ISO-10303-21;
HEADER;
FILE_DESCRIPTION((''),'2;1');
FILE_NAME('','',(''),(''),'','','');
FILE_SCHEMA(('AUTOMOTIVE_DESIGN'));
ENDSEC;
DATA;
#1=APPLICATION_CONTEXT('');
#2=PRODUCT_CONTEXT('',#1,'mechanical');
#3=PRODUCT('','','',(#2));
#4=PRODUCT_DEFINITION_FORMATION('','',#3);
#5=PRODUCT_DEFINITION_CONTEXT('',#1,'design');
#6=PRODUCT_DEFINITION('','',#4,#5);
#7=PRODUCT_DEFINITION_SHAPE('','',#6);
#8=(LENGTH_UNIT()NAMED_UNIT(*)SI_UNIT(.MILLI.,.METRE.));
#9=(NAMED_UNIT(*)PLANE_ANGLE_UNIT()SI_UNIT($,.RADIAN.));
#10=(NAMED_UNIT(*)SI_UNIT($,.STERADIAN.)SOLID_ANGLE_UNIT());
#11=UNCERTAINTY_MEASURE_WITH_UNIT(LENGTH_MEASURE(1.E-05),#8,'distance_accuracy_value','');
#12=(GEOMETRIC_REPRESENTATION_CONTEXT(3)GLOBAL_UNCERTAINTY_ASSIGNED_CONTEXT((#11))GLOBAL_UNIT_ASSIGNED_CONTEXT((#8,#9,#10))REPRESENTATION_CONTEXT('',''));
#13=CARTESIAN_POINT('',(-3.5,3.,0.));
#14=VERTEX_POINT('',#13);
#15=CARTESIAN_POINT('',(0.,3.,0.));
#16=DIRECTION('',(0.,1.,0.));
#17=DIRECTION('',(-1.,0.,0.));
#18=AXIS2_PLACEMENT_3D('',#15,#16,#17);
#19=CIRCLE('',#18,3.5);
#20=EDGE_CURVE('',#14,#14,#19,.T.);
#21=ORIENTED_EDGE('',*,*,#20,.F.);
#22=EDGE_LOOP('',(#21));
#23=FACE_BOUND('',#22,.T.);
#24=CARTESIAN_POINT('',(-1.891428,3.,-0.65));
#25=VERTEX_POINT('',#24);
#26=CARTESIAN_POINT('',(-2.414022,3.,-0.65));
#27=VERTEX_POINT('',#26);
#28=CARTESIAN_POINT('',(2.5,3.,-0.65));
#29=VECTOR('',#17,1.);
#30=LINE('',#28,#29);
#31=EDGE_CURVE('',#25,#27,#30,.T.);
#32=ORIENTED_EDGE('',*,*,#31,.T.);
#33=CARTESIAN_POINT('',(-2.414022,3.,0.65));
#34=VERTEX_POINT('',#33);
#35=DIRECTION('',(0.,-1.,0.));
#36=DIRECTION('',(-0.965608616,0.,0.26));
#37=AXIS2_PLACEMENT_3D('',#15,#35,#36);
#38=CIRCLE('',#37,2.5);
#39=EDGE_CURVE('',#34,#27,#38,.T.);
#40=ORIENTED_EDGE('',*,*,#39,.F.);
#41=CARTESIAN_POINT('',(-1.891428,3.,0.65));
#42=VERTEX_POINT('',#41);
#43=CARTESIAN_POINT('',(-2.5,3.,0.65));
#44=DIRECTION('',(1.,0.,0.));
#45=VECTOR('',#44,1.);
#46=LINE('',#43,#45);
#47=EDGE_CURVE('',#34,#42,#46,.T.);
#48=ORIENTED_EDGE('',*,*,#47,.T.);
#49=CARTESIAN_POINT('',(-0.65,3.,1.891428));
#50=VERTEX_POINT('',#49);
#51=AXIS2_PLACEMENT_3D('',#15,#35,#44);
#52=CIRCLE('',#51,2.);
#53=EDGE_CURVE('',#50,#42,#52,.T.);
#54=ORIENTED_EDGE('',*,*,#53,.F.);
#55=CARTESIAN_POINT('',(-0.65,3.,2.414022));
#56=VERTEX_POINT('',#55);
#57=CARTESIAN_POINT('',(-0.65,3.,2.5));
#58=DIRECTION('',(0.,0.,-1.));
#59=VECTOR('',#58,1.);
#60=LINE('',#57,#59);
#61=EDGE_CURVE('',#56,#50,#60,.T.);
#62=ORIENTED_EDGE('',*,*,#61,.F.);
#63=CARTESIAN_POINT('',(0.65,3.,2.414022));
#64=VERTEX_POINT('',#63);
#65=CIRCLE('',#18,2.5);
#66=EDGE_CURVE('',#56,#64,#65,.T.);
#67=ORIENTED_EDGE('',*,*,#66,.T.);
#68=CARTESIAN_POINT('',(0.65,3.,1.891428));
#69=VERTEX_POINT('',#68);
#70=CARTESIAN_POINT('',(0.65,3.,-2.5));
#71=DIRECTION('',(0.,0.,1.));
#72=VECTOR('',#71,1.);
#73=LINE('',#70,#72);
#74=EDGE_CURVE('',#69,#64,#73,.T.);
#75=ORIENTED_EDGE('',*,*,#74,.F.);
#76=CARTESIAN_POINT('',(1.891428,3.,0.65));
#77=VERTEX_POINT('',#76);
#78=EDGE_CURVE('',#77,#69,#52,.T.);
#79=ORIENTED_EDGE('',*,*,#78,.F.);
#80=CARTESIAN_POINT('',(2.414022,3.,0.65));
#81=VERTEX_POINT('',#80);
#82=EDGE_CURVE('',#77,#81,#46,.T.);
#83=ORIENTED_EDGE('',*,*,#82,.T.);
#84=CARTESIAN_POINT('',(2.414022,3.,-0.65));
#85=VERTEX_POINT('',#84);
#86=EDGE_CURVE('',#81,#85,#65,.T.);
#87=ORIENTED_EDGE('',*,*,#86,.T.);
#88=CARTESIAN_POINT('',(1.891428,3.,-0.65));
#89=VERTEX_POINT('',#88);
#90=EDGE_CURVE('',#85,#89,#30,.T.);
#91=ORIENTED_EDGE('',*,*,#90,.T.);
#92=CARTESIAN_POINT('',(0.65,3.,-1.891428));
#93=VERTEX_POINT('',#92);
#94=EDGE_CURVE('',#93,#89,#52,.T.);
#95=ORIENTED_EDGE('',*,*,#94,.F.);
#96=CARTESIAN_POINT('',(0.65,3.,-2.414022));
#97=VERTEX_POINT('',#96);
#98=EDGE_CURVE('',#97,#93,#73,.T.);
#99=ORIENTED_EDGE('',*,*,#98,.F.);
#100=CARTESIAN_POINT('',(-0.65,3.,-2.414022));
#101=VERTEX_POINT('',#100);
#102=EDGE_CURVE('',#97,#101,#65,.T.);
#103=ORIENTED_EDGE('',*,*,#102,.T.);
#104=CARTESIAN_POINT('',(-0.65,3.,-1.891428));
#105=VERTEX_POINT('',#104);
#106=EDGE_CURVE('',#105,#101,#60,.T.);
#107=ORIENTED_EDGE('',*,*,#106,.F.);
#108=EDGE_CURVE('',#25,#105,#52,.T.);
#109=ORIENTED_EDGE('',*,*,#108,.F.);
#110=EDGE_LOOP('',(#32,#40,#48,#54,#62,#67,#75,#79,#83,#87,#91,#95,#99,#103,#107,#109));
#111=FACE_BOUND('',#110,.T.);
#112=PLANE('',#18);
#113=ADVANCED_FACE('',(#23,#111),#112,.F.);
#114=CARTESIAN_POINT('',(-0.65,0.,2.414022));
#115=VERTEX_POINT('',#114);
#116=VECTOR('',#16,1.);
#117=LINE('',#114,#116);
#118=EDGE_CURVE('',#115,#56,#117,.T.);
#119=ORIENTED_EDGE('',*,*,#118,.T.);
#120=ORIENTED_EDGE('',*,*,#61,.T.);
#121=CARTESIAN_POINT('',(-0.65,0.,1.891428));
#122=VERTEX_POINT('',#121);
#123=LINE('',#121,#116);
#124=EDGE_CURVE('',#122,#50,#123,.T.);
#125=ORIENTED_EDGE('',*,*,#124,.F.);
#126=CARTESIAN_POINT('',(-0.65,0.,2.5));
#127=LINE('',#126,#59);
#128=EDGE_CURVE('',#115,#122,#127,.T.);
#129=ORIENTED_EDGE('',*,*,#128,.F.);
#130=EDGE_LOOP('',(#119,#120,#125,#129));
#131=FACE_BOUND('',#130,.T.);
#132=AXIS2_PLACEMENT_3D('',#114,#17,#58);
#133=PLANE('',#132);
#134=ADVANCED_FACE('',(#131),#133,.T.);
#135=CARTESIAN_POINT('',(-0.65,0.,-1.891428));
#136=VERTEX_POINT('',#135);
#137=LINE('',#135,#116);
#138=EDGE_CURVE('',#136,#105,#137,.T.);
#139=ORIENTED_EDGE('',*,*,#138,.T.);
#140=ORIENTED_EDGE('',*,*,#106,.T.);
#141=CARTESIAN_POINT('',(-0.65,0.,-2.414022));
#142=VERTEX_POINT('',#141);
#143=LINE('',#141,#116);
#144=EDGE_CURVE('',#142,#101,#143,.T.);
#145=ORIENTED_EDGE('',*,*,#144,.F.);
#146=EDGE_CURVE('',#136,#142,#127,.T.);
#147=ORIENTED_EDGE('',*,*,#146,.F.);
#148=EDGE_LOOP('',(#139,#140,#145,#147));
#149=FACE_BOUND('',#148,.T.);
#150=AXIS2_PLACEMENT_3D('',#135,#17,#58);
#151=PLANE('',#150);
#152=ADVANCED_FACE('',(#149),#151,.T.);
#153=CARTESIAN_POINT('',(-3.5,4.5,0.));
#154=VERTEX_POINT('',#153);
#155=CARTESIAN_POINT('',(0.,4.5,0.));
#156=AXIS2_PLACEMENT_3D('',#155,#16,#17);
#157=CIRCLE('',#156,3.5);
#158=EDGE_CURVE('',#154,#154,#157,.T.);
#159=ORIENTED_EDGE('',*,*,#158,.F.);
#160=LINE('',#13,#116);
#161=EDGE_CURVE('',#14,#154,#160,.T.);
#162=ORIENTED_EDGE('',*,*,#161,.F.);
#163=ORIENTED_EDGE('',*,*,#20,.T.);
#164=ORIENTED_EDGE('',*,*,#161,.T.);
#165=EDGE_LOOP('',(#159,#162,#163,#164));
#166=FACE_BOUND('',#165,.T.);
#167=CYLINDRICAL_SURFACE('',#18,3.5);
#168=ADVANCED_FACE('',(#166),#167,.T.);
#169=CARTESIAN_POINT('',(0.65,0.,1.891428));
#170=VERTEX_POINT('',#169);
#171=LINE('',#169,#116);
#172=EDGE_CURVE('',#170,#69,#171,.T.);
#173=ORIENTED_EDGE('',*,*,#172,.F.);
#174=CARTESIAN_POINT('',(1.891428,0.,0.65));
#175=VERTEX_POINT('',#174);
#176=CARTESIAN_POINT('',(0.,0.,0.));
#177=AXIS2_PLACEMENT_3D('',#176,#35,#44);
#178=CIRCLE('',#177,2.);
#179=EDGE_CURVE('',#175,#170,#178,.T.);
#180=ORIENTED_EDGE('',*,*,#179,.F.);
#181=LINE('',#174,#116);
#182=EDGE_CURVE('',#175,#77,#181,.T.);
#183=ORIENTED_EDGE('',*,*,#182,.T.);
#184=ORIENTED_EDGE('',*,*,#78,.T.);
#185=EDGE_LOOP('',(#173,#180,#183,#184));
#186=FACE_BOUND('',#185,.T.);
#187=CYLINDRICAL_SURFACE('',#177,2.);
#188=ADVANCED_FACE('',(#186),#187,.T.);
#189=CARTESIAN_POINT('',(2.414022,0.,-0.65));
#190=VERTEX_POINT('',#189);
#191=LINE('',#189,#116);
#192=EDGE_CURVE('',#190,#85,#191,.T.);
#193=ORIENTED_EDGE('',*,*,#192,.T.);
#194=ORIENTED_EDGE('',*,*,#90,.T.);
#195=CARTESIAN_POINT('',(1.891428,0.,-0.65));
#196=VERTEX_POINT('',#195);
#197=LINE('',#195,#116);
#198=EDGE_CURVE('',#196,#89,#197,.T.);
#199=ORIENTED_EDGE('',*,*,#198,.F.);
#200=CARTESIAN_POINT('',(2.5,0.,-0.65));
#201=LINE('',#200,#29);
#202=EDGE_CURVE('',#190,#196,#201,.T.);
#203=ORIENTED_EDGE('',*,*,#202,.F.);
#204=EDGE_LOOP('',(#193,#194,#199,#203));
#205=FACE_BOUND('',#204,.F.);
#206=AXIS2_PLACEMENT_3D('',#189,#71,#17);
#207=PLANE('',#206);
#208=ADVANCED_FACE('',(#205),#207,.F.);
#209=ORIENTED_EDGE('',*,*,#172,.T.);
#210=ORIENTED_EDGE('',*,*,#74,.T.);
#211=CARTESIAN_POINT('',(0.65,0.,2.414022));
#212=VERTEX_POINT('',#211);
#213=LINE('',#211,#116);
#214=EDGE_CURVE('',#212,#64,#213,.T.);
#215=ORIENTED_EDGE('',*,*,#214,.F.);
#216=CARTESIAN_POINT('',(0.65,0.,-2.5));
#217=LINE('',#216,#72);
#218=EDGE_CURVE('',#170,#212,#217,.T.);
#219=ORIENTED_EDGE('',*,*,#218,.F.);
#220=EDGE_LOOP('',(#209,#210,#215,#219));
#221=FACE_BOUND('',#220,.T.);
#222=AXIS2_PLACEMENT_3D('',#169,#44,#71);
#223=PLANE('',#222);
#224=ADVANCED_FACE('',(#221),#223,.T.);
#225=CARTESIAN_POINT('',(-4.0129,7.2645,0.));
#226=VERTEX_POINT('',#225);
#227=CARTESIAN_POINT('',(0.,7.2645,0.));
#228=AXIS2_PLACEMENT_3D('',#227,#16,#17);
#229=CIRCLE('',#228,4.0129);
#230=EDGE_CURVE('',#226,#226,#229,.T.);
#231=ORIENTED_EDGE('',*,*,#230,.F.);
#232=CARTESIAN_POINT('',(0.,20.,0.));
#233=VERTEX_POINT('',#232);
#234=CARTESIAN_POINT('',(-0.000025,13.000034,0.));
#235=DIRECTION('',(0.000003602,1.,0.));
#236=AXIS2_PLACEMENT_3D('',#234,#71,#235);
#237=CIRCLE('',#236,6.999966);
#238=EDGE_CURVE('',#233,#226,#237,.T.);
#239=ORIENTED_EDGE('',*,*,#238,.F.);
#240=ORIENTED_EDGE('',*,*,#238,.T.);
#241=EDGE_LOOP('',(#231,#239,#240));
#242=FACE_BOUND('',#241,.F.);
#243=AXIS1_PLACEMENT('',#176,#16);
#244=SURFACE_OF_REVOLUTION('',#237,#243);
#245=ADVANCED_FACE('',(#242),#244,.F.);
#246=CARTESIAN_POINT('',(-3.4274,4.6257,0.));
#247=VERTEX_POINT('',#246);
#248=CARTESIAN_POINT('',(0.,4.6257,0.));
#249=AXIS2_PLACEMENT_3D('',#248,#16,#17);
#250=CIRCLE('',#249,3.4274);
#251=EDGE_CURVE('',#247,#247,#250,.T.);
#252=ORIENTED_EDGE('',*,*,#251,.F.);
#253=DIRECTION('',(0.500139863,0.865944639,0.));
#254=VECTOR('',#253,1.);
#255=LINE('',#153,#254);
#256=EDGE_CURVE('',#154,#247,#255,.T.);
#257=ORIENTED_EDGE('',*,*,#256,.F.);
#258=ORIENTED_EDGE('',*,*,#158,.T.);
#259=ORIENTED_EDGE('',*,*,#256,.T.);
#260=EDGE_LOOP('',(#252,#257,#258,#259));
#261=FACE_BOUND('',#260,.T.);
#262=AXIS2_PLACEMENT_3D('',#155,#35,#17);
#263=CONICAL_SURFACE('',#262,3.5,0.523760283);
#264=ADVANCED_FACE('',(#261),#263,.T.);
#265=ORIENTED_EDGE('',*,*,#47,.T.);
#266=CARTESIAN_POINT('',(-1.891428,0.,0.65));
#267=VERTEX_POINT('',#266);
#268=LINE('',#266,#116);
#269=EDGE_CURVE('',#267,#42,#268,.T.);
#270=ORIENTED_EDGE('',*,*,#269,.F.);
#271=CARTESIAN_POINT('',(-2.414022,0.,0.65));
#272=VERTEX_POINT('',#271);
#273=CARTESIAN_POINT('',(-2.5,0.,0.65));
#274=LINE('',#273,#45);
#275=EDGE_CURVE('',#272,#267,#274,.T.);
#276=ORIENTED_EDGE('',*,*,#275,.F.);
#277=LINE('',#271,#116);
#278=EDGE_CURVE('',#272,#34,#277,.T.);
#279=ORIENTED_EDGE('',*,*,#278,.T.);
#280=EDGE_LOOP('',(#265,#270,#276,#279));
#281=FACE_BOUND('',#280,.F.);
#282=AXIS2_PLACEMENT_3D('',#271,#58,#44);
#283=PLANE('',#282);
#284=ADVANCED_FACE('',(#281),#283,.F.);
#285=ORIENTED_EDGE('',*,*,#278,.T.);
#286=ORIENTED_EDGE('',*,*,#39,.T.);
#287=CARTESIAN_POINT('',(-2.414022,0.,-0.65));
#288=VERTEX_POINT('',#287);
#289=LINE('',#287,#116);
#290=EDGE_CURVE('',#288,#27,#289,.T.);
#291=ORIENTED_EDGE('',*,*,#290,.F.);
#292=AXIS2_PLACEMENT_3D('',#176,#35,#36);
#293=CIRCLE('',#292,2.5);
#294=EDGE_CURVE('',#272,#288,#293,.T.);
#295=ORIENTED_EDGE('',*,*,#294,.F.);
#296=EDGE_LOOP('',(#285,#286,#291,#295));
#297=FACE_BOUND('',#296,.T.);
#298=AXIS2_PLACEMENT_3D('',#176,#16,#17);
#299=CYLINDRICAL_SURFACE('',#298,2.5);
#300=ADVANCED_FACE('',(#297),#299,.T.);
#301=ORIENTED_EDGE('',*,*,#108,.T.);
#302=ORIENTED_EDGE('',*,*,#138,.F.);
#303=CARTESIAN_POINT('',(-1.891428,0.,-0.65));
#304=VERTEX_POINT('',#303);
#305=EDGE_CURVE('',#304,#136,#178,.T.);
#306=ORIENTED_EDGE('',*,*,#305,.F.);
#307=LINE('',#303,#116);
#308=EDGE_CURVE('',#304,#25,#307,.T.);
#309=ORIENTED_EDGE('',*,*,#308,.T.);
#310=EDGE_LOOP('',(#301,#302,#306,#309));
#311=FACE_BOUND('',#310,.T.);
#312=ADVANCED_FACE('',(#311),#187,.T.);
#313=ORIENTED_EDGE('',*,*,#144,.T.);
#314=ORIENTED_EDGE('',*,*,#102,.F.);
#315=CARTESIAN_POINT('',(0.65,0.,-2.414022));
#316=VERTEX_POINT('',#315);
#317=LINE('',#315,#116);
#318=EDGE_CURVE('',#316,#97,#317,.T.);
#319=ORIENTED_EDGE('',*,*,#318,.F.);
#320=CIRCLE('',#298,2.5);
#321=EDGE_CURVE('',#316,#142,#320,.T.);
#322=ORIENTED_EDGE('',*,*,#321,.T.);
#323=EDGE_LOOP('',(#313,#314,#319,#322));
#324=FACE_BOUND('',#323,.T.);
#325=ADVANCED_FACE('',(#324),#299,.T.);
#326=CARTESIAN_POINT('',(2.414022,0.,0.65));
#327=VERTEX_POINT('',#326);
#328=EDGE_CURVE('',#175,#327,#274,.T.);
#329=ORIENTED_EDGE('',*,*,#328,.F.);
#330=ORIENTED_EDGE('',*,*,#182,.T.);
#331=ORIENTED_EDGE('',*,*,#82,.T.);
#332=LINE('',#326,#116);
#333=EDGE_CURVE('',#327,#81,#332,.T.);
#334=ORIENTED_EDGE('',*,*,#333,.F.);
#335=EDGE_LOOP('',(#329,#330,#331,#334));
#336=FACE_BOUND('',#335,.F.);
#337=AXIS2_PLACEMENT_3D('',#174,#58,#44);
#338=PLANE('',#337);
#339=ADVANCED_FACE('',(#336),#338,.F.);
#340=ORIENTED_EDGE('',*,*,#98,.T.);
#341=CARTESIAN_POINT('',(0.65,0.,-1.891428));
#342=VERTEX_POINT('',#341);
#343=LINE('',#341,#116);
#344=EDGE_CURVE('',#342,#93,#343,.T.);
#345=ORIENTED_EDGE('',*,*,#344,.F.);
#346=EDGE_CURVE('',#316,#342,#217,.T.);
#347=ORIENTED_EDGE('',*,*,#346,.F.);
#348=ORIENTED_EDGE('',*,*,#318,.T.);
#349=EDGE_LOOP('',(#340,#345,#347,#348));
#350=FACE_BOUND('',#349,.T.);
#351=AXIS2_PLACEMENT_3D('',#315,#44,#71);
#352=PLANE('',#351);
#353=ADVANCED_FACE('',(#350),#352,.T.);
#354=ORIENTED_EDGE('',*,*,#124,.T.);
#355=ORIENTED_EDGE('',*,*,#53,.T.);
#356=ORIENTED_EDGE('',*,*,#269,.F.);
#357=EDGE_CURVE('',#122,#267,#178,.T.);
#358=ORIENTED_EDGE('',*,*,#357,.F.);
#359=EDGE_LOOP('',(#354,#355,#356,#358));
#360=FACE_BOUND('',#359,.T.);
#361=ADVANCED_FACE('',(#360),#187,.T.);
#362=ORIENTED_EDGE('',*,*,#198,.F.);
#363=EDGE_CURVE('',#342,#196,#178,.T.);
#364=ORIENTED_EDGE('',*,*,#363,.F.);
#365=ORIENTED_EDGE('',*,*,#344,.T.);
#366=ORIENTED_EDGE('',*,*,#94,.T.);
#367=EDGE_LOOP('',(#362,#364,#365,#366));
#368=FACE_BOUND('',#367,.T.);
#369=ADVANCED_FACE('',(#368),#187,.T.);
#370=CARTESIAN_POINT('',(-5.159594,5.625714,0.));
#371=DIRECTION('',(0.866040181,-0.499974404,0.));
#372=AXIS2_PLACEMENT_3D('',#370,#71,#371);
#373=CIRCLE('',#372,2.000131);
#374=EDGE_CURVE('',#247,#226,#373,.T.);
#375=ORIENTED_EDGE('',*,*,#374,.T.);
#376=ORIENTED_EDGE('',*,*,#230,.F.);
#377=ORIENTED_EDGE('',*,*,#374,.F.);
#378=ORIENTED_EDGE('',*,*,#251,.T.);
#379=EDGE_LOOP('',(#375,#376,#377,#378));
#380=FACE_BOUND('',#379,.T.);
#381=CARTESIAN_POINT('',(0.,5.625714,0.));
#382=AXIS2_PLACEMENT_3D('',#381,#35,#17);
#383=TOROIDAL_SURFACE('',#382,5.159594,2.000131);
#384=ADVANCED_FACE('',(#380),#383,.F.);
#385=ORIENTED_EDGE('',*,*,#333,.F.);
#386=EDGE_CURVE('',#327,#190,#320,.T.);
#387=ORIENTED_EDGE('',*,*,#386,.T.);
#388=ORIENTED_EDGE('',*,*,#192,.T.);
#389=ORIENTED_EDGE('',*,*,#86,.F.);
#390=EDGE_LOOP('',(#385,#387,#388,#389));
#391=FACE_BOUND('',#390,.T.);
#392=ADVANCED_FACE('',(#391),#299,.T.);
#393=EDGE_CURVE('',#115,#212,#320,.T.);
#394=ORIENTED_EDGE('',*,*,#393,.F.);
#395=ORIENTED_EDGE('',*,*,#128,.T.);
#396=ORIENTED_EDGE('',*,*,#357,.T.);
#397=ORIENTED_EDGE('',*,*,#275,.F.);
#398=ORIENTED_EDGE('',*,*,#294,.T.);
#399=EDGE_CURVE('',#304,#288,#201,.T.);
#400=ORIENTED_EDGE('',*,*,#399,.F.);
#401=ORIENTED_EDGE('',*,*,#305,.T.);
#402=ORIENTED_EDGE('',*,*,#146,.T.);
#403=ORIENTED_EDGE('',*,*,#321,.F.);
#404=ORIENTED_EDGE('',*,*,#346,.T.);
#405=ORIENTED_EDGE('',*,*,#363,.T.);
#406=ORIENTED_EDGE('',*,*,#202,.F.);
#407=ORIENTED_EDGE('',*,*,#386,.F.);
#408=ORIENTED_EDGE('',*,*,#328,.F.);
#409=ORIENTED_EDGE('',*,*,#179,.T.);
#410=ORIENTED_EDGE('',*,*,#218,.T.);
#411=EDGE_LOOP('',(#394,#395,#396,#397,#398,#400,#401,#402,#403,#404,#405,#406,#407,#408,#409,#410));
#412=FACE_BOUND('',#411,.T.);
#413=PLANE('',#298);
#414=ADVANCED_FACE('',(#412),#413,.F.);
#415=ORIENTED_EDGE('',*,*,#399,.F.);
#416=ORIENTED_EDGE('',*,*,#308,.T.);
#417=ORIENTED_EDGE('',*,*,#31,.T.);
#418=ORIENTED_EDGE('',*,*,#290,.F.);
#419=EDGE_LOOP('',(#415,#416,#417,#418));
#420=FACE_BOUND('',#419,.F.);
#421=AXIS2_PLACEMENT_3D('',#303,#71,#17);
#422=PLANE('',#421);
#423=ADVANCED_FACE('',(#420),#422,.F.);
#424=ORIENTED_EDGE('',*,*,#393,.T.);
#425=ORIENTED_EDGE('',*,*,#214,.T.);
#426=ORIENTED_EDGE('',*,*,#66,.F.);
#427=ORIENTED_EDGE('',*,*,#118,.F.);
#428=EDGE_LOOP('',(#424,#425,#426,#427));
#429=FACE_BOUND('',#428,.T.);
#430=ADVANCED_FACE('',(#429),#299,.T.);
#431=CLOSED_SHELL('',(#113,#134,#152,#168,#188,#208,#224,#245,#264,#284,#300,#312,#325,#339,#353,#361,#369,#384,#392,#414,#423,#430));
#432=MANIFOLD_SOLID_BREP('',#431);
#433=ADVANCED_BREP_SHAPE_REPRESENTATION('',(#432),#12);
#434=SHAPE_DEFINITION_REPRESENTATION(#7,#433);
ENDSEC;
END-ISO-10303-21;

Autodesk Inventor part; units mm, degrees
ref_plane "YZ Plane" through (0, 0, 0) normal (1, 0, 0) x (0, 1, 0)
ref_plane "XZ Plane" through (0, 0, 0) normal (0, 1, 0) x (-1, 0, 0)
ref_plane "XY Plane" through (0, 0, 0) normal (0, 0, 1) x (1, 0, 0)
sketch "Sketch1" plane through (0, 0, 0) normal (0, 0, 1) x (1, 0, 0)
  line L0 (0, 0) -> (-2.5, 0)
  line L1 (-2.5, 0) -> (-2.5, 3)
  line L2 (-2.5, 3) -> (-3.5, 3)
  line L3 (-3.5, 3) -> (-3.5, 4.5)
  line L4 (0, 0) -> (0, 20)
  line L5 (0, 20) -> (0, 13)
  arc A0 (0, 20) -> (-4.0129, 7.2645) centre (0, 13) ccw
  line L6 (-3.5, 4.5) -> (-3.4274, 4.6257)
  line L7 (-3.5, 4.5) -> (-1.2818, 4.5) construction
  arc A1 (-3.4274, 4.6257) -> (-4.0129, 7.2645) centre (-5.1595, 5.6257) ccw
  point P0 (-2.3909, 6.421)
  dimension "d0" = 2.5
  dimension "d1" = 3
  dimension "d2" = 1
  dimension "d3" = 1.5
  dimension "d4" = 20
  dimension "d5" = 7
  dimension "d6" = 60
  dimension "d7" = 2
revolve "Revolution1" add sketch "Sketch1" angle 360 about axis through (0, 0, 0) along (0, 1, 0)
sketch "Sketch2" plane through (0, 0, 0) normal (0, -1, 0) x (1, 0, 0)
  circle A0 centre (0, 0) radius 2
  circle A1 centre (0, 0) radius 2.5
  line L0 (-2.5, 0.65) -> (2.5, 0.65)
  line L1 (2.5, 0.65) -> (2.5, -0.65)
  line L2 (2.5, -0.65) -> (-2.5, -0.65)
  line L3 (-2.5, -0.65) -> (-2.5, 0.65)
  line L4 (-2.5, 0.65) -> (2.5, -0.65) construction
  line L5 (2.5, 0.65) -> (-2.5, -0.65) construction
  line L6 (-0.65, 2.5) -> (-0.65, -2.5)
  line L7 (-0.65, -2.5) -> (0.65, -2.5)
  line L8 (0.65, -2.5) -> (0.65, 2.5)
  line L9 (0.65, 2.5) -> (-0.65, 2.5)
  circle A2 centre (0, 0) radius 2.5 projected
  line L10 (-0.65, 2.5) -> (0.65, -2.5) construction
  line L11 (-0.65, -2.5) -> (0.65, 2.5) construction
  point P0 (0.65, -1.8914)
  point P1 (0.65, -2.414)
  point P2 (2.414, -0.65)
  point P3 (1.8914, -0.65)
  point P4 (0.65, 2.414)
  point P5 (0.65, 1.8914)
  point P6 (1.8914, 0.65)
  point P7 (2.414, 0.65)
  point P8 (-0.65, 1.8914)
  point P9 (-0.65, 2.414)
  point P10 (-2.414, 0.65)
  point P11 (-1.8914, 0.65)
  point P12 (-0.65, -2.414)
  point P13 (-0.65, -1.8914)
  point P14 (-1.8914, -0.65)
  point P15 (-2.414, -0.65)
  dimension "d9" = 4
  dimension "d10" = 5
  dimension "d11" = 1.3
  dimension "d12" = 1.3
extrude "Extrusion1" cut sketch "Sketch2" against normal blind 3 contours A0 L8 A1 L0 | L2 A1 L8 A0 | A0 L0 A1 L6 | L6 A1 L2 A0
properties part number "Ball"
